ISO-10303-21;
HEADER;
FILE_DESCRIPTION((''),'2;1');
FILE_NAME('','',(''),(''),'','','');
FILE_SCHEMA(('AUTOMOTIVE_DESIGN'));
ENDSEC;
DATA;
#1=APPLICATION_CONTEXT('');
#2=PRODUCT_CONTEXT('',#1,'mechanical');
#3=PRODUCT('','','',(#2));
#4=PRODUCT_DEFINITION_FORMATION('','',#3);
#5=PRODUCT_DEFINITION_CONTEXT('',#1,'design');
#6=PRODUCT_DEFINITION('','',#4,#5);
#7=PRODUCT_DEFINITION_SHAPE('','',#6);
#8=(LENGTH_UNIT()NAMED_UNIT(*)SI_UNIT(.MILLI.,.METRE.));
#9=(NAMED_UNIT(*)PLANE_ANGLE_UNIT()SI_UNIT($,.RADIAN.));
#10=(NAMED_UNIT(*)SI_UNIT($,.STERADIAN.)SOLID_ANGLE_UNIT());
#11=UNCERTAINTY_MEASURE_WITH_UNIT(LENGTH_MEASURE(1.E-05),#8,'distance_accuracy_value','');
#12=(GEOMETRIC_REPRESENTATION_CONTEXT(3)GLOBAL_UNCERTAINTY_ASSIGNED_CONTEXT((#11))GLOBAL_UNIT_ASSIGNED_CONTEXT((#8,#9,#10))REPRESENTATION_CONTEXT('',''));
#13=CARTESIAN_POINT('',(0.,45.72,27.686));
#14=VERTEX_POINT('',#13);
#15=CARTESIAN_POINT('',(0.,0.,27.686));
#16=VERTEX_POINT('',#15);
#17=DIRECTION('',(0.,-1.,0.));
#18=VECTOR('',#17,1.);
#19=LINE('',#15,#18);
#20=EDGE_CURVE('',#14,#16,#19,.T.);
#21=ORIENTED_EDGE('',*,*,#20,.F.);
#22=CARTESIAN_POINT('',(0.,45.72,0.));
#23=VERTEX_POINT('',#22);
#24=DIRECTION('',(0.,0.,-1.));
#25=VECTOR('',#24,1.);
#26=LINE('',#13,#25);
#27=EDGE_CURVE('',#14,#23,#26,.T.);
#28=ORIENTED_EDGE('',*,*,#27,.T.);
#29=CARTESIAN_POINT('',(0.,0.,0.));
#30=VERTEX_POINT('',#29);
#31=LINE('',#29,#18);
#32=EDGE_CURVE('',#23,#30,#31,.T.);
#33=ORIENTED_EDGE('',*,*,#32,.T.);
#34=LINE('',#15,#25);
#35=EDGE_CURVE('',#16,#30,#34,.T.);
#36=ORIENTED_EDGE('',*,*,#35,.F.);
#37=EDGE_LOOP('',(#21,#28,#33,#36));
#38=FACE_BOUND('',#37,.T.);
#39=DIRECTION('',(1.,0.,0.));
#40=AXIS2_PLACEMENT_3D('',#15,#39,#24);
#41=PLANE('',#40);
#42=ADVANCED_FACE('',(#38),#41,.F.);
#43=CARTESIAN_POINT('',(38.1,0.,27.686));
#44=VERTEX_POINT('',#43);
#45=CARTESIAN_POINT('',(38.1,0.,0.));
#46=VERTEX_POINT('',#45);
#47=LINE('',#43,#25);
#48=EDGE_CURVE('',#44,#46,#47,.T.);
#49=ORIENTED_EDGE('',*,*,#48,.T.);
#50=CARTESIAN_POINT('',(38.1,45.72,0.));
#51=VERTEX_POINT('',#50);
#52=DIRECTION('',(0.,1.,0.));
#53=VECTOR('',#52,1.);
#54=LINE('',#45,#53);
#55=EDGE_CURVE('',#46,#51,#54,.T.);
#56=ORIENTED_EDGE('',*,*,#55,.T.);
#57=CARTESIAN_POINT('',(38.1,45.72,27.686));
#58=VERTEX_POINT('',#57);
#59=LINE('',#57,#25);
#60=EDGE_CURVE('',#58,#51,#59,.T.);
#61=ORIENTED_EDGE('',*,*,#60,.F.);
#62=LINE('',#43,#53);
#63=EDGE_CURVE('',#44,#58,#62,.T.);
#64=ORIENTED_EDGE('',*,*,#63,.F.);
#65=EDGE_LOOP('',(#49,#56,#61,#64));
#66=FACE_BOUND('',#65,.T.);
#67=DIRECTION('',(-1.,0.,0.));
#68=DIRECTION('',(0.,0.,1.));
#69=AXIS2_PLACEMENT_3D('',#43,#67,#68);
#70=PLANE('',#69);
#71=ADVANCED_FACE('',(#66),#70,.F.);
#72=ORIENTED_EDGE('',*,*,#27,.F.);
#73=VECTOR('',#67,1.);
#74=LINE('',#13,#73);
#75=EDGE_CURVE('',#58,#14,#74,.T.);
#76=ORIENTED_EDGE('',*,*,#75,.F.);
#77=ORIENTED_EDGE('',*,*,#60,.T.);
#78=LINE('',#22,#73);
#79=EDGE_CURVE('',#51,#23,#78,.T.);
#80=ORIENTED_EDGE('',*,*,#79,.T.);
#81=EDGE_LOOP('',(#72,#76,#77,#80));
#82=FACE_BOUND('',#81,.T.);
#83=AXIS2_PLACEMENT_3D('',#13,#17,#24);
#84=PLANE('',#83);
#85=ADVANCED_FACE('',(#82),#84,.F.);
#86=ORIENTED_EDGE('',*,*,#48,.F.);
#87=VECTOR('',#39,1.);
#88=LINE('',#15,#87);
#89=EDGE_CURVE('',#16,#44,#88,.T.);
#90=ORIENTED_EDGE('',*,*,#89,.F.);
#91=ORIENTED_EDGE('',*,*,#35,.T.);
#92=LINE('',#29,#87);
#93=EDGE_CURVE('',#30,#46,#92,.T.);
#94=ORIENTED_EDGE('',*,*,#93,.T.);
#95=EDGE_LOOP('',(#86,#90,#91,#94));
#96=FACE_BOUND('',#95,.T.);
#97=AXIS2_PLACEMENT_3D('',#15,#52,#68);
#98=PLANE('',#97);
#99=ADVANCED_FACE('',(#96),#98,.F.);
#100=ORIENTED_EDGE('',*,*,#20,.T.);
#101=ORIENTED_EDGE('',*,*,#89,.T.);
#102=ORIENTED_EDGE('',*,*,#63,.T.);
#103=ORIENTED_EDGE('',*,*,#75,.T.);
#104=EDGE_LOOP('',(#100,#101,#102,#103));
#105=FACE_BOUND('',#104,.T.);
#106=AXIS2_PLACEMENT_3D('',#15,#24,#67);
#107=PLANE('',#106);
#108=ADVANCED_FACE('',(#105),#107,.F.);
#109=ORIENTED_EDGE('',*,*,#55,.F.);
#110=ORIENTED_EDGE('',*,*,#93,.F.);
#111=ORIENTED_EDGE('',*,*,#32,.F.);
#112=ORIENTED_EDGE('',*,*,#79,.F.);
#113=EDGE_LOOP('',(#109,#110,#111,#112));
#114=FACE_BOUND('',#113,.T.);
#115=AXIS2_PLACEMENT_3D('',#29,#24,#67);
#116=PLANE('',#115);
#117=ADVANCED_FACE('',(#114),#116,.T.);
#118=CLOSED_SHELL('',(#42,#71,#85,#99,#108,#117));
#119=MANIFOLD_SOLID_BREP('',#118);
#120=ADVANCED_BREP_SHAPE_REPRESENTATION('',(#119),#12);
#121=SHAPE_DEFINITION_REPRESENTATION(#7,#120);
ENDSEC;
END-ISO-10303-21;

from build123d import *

# Parameters (mm, degrees)
SKETCH1_W           = 38.1
SKETCH1_H           = 45.72
BOSS_EXTRUDE1_DEPTH = 27.686


with BuildPart() as part:
    # Sketch1 → Boss-Extrude1 (new body)
    with BuildSketch(Plane.XY):
        with Locations((19.05, 22.86)):
            Rectangle(SKETCH1_W, SKETCH1_H)
    extrude(amount=BOSS_EXTRUDE1_DEPTH)


solid = part.part
